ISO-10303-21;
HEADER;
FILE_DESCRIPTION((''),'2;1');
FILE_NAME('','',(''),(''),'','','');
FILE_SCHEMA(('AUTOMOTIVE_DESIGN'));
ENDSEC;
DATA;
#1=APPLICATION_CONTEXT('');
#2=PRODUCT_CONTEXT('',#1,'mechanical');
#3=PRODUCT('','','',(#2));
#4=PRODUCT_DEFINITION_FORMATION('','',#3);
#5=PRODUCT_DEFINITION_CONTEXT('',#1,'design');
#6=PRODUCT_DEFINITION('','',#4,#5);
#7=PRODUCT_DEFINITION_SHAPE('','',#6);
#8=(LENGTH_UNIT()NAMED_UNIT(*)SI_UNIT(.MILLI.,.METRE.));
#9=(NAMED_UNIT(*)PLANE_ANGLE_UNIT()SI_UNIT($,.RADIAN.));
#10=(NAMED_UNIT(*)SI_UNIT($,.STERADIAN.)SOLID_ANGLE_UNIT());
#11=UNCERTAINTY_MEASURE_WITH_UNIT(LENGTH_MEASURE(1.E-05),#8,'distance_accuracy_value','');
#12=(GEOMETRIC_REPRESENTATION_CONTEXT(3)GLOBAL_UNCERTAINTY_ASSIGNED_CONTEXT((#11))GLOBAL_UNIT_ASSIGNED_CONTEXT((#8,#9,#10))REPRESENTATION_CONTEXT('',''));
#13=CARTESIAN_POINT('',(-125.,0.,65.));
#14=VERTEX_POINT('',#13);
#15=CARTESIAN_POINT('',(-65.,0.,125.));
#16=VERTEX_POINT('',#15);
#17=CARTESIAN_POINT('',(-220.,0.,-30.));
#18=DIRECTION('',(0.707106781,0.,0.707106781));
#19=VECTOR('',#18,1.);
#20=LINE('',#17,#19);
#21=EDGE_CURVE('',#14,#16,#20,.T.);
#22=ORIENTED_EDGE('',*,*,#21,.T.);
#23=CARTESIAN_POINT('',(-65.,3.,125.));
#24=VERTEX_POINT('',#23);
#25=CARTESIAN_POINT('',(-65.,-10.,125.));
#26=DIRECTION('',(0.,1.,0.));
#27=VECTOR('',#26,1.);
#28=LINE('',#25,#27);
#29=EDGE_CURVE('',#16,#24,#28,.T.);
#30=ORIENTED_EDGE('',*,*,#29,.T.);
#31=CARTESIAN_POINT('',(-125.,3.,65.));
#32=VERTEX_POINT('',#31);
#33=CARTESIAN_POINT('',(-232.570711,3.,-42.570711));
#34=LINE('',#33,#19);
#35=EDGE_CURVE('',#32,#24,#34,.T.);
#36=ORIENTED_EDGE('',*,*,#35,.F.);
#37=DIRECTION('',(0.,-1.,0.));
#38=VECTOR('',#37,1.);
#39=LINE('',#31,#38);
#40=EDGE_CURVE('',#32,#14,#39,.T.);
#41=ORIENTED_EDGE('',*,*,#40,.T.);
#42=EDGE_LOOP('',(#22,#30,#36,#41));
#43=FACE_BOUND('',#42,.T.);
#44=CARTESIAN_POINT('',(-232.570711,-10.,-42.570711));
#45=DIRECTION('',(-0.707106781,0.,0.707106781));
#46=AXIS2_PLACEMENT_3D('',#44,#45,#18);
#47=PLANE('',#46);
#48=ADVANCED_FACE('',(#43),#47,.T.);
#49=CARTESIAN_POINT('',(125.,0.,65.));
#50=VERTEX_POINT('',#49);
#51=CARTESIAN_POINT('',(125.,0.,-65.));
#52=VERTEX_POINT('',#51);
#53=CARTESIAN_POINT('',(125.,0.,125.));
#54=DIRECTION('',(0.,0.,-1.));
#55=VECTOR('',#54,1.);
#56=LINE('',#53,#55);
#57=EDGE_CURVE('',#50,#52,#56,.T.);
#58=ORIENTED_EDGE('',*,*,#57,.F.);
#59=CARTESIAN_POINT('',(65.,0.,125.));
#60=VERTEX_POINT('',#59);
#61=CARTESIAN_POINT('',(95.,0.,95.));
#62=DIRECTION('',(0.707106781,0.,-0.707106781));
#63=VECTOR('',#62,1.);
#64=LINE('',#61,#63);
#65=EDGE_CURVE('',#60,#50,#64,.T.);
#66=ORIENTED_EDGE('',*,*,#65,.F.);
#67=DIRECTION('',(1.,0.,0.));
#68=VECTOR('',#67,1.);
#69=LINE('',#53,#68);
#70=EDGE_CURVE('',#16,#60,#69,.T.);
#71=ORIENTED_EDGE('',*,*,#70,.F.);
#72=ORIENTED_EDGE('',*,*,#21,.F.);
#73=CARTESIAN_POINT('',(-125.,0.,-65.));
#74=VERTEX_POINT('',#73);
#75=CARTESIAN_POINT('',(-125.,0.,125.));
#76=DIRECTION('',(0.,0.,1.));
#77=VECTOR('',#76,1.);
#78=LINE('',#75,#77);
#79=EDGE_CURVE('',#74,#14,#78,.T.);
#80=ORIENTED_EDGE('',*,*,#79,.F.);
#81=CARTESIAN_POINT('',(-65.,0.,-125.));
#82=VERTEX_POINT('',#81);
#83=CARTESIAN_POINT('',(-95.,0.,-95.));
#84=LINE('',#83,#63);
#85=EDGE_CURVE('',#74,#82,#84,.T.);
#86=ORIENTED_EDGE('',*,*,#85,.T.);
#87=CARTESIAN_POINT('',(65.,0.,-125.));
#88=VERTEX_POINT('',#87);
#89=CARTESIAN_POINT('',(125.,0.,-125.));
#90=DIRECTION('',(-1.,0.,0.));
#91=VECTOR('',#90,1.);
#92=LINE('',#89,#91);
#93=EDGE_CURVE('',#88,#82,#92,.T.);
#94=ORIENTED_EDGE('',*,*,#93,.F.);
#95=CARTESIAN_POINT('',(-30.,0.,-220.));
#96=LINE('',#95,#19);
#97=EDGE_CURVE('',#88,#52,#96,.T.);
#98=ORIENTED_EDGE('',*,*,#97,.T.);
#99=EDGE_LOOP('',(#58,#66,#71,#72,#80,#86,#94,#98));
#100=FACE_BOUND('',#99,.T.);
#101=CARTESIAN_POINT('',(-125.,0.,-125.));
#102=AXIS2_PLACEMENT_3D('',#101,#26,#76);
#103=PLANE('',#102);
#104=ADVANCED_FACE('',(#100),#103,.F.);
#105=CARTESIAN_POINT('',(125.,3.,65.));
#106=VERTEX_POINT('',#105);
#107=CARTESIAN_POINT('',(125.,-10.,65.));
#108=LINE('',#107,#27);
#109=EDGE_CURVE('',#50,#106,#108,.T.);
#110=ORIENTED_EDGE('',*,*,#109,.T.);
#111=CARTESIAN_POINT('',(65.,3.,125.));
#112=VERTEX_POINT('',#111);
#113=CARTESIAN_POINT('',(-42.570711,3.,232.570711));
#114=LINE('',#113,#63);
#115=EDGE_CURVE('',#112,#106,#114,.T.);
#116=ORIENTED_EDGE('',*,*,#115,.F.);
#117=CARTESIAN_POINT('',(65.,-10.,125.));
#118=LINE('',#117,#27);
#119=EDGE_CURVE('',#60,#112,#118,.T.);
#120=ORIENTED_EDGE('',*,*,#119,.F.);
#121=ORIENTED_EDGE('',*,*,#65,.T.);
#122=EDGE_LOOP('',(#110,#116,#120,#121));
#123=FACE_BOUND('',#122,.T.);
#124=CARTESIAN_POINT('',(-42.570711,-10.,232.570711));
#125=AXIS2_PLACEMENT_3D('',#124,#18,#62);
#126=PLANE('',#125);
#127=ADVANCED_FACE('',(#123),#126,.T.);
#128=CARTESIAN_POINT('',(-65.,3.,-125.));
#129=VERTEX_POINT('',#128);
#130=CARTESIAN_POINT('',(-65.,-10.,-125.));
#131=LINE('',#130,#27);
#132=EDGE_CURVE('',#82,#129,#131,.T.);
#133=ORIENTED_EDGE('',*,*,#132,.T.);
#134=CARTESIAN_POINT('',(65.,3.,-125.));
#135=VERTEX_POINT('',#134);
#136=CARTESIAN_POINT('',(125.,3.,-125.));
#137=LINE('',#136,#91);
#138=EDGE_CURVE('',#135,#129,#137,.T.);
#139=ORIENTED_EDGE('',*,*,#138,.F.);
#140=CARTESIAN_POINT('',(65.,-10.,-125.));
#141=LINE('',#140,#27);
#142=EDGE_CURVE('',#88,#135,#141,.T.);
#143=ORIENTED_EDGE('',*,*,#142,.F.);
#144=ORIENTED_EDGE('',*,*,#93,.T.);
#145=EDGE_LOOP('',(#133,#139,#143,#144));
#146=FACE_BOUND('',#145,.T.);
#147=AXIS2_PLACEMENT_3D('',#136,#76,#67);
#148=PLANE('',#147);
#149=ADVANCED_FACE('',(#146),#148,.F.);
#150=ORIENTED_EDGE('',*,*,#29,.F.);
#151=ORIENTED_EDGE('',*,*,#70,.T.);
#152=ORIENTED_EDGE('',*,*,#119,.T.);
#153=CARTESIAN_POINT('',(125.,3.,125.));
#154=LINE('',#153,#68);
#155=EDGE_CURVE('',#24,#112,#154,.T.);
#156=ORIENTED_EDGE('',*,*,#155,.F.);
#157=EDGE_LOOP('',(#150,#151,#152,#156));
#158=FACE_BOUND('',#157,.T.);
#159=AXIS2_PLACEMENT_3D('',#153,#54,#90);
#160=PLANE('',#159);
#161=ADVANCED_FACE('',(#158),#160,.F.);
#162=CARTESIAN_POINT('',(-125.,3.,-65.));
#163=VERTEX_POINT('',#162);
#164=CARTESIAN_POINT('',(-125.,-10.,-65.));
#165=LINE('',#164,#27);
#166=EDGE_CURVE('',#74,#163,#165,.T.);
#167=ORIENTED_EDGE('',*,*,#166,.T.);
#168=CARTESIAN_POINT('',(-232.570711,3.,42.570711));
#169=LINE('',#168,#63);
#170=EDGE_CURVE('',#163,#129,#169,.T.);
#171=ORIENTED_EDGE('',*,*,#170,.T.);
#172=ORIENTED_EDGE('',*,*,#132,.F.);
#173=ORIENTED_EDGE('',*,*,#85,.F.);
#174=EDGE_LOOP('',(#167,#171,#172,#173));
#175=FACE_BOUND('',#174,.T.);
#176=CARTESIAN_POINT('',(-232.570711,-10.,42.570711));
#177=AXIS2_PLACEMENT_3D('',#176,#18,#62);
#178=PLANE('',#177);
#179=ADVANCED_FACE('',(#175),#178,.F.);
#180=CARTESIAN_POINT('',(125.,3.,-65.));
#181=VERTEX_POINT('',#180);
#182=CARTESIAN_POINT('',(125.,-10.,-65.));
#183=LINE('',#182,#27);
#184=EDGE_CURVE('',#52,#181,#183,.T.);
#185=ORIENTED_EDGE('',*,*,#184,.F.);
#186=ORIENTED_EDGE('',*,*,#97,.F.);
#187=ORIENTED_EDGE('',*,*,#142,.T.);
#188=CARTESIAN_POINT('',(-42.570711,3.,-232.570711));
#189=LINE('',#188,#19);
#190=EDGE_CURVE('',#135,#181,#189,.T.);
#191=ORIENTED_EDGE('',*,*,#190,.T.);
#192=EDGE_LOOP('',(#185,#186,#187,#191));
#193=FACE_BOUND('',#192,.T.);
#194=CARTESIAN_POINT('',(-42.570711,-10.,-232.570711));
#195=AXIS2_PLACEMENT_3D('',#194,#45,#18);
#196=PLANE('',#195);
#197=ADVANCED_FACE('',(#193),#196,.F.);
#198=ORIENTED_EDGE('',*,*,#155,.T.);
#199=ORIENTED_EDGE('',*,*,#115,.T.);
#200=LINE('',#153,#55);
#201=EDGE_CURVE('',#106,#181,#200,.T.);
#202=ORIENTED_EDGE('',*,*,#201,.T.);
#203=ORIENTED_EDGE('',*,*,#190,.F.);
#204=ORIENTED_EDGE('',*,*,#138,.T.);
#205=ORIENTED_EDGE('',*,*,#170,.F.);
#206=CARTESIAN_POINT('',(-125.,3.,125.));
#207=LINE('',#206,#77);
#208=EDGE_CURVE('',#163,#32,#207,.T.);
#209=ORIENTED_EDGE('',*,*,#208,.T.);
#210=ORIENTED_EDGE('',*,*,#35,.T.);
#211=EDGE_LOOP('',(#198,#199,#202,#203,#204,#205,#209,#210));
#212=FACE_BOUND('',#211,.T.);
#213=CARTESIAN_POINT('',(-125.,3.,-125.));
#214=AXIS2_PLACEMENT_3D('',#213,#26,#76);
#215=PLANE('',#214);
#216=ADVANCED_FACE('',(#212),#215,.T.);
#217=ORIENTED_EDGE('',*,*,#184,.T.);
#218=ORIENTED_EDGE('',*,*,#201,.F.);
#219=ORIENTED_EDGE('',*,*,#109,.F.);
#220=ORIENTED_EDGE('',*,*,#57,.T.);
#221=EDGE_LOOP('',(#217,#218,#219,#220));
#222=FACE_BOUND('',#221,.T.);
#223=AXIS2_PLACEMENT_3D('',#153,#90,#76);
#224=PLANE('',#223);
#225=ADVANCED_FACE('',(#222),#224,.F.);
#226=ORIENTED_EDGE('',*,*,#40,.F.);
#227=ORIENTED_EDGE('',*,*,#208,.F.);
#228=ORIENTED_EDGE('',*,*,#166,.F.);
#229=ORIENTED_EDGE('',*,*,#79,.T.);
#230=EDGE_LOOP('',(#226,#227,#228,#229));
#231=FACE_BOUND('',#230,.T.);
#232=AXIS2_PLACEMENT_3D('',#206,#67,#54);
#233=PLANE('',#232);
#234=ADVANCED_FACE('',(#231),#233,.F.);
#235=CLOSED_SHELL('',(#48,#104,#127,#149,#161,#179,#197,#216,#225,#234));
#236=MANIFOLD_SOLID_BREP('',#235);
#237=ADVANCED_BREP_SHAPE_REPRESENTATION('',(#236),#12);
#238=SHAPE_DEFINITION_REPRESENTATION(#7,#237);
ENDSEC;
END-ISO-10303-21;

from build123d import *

# Parameters (mm, degrees)
ESQUISSE1_W       = 250
ESQUISSE1_H       = 250
EXTRUSION1_DEPTH  = 3
EXTRUSION11_DEPTH = 13


with BuildPart() as part:
    # Esquisse1 → Extrusion1 (new body)
    with BuildSketch(Plane(origin=(0, 0, 0), x_dir=(1, 0, 0), z_dir=(0, 1, 0))):
        Rectangle(ESQUISSE1_W, ESQUISSE1_H)
    extrude(amount=EXTRUSION1_DEPTH)

    # Esquisse2 → Extrusion11 (cut)
    with BuildSketch(Plane(origin=(0, 3, 0), x_dir=(1, 0, 0), z_dir=(0, 1, 0))):
        Polygon((-125, 125), (-125, 65), (-65, 125), align=None)
        Polygon((125, 125), (65, 125), (125, 65), align=None)
        Polygon((125, -65), (65, -125), (125, -125), align=None)
        Polygon((-65, -125), (-125, -65), (-125, -125), align=None)
    extrude(amount=-EXTRUSION11_DEPTH, mode=Mode.SUBTRACT)


solid = part.part
